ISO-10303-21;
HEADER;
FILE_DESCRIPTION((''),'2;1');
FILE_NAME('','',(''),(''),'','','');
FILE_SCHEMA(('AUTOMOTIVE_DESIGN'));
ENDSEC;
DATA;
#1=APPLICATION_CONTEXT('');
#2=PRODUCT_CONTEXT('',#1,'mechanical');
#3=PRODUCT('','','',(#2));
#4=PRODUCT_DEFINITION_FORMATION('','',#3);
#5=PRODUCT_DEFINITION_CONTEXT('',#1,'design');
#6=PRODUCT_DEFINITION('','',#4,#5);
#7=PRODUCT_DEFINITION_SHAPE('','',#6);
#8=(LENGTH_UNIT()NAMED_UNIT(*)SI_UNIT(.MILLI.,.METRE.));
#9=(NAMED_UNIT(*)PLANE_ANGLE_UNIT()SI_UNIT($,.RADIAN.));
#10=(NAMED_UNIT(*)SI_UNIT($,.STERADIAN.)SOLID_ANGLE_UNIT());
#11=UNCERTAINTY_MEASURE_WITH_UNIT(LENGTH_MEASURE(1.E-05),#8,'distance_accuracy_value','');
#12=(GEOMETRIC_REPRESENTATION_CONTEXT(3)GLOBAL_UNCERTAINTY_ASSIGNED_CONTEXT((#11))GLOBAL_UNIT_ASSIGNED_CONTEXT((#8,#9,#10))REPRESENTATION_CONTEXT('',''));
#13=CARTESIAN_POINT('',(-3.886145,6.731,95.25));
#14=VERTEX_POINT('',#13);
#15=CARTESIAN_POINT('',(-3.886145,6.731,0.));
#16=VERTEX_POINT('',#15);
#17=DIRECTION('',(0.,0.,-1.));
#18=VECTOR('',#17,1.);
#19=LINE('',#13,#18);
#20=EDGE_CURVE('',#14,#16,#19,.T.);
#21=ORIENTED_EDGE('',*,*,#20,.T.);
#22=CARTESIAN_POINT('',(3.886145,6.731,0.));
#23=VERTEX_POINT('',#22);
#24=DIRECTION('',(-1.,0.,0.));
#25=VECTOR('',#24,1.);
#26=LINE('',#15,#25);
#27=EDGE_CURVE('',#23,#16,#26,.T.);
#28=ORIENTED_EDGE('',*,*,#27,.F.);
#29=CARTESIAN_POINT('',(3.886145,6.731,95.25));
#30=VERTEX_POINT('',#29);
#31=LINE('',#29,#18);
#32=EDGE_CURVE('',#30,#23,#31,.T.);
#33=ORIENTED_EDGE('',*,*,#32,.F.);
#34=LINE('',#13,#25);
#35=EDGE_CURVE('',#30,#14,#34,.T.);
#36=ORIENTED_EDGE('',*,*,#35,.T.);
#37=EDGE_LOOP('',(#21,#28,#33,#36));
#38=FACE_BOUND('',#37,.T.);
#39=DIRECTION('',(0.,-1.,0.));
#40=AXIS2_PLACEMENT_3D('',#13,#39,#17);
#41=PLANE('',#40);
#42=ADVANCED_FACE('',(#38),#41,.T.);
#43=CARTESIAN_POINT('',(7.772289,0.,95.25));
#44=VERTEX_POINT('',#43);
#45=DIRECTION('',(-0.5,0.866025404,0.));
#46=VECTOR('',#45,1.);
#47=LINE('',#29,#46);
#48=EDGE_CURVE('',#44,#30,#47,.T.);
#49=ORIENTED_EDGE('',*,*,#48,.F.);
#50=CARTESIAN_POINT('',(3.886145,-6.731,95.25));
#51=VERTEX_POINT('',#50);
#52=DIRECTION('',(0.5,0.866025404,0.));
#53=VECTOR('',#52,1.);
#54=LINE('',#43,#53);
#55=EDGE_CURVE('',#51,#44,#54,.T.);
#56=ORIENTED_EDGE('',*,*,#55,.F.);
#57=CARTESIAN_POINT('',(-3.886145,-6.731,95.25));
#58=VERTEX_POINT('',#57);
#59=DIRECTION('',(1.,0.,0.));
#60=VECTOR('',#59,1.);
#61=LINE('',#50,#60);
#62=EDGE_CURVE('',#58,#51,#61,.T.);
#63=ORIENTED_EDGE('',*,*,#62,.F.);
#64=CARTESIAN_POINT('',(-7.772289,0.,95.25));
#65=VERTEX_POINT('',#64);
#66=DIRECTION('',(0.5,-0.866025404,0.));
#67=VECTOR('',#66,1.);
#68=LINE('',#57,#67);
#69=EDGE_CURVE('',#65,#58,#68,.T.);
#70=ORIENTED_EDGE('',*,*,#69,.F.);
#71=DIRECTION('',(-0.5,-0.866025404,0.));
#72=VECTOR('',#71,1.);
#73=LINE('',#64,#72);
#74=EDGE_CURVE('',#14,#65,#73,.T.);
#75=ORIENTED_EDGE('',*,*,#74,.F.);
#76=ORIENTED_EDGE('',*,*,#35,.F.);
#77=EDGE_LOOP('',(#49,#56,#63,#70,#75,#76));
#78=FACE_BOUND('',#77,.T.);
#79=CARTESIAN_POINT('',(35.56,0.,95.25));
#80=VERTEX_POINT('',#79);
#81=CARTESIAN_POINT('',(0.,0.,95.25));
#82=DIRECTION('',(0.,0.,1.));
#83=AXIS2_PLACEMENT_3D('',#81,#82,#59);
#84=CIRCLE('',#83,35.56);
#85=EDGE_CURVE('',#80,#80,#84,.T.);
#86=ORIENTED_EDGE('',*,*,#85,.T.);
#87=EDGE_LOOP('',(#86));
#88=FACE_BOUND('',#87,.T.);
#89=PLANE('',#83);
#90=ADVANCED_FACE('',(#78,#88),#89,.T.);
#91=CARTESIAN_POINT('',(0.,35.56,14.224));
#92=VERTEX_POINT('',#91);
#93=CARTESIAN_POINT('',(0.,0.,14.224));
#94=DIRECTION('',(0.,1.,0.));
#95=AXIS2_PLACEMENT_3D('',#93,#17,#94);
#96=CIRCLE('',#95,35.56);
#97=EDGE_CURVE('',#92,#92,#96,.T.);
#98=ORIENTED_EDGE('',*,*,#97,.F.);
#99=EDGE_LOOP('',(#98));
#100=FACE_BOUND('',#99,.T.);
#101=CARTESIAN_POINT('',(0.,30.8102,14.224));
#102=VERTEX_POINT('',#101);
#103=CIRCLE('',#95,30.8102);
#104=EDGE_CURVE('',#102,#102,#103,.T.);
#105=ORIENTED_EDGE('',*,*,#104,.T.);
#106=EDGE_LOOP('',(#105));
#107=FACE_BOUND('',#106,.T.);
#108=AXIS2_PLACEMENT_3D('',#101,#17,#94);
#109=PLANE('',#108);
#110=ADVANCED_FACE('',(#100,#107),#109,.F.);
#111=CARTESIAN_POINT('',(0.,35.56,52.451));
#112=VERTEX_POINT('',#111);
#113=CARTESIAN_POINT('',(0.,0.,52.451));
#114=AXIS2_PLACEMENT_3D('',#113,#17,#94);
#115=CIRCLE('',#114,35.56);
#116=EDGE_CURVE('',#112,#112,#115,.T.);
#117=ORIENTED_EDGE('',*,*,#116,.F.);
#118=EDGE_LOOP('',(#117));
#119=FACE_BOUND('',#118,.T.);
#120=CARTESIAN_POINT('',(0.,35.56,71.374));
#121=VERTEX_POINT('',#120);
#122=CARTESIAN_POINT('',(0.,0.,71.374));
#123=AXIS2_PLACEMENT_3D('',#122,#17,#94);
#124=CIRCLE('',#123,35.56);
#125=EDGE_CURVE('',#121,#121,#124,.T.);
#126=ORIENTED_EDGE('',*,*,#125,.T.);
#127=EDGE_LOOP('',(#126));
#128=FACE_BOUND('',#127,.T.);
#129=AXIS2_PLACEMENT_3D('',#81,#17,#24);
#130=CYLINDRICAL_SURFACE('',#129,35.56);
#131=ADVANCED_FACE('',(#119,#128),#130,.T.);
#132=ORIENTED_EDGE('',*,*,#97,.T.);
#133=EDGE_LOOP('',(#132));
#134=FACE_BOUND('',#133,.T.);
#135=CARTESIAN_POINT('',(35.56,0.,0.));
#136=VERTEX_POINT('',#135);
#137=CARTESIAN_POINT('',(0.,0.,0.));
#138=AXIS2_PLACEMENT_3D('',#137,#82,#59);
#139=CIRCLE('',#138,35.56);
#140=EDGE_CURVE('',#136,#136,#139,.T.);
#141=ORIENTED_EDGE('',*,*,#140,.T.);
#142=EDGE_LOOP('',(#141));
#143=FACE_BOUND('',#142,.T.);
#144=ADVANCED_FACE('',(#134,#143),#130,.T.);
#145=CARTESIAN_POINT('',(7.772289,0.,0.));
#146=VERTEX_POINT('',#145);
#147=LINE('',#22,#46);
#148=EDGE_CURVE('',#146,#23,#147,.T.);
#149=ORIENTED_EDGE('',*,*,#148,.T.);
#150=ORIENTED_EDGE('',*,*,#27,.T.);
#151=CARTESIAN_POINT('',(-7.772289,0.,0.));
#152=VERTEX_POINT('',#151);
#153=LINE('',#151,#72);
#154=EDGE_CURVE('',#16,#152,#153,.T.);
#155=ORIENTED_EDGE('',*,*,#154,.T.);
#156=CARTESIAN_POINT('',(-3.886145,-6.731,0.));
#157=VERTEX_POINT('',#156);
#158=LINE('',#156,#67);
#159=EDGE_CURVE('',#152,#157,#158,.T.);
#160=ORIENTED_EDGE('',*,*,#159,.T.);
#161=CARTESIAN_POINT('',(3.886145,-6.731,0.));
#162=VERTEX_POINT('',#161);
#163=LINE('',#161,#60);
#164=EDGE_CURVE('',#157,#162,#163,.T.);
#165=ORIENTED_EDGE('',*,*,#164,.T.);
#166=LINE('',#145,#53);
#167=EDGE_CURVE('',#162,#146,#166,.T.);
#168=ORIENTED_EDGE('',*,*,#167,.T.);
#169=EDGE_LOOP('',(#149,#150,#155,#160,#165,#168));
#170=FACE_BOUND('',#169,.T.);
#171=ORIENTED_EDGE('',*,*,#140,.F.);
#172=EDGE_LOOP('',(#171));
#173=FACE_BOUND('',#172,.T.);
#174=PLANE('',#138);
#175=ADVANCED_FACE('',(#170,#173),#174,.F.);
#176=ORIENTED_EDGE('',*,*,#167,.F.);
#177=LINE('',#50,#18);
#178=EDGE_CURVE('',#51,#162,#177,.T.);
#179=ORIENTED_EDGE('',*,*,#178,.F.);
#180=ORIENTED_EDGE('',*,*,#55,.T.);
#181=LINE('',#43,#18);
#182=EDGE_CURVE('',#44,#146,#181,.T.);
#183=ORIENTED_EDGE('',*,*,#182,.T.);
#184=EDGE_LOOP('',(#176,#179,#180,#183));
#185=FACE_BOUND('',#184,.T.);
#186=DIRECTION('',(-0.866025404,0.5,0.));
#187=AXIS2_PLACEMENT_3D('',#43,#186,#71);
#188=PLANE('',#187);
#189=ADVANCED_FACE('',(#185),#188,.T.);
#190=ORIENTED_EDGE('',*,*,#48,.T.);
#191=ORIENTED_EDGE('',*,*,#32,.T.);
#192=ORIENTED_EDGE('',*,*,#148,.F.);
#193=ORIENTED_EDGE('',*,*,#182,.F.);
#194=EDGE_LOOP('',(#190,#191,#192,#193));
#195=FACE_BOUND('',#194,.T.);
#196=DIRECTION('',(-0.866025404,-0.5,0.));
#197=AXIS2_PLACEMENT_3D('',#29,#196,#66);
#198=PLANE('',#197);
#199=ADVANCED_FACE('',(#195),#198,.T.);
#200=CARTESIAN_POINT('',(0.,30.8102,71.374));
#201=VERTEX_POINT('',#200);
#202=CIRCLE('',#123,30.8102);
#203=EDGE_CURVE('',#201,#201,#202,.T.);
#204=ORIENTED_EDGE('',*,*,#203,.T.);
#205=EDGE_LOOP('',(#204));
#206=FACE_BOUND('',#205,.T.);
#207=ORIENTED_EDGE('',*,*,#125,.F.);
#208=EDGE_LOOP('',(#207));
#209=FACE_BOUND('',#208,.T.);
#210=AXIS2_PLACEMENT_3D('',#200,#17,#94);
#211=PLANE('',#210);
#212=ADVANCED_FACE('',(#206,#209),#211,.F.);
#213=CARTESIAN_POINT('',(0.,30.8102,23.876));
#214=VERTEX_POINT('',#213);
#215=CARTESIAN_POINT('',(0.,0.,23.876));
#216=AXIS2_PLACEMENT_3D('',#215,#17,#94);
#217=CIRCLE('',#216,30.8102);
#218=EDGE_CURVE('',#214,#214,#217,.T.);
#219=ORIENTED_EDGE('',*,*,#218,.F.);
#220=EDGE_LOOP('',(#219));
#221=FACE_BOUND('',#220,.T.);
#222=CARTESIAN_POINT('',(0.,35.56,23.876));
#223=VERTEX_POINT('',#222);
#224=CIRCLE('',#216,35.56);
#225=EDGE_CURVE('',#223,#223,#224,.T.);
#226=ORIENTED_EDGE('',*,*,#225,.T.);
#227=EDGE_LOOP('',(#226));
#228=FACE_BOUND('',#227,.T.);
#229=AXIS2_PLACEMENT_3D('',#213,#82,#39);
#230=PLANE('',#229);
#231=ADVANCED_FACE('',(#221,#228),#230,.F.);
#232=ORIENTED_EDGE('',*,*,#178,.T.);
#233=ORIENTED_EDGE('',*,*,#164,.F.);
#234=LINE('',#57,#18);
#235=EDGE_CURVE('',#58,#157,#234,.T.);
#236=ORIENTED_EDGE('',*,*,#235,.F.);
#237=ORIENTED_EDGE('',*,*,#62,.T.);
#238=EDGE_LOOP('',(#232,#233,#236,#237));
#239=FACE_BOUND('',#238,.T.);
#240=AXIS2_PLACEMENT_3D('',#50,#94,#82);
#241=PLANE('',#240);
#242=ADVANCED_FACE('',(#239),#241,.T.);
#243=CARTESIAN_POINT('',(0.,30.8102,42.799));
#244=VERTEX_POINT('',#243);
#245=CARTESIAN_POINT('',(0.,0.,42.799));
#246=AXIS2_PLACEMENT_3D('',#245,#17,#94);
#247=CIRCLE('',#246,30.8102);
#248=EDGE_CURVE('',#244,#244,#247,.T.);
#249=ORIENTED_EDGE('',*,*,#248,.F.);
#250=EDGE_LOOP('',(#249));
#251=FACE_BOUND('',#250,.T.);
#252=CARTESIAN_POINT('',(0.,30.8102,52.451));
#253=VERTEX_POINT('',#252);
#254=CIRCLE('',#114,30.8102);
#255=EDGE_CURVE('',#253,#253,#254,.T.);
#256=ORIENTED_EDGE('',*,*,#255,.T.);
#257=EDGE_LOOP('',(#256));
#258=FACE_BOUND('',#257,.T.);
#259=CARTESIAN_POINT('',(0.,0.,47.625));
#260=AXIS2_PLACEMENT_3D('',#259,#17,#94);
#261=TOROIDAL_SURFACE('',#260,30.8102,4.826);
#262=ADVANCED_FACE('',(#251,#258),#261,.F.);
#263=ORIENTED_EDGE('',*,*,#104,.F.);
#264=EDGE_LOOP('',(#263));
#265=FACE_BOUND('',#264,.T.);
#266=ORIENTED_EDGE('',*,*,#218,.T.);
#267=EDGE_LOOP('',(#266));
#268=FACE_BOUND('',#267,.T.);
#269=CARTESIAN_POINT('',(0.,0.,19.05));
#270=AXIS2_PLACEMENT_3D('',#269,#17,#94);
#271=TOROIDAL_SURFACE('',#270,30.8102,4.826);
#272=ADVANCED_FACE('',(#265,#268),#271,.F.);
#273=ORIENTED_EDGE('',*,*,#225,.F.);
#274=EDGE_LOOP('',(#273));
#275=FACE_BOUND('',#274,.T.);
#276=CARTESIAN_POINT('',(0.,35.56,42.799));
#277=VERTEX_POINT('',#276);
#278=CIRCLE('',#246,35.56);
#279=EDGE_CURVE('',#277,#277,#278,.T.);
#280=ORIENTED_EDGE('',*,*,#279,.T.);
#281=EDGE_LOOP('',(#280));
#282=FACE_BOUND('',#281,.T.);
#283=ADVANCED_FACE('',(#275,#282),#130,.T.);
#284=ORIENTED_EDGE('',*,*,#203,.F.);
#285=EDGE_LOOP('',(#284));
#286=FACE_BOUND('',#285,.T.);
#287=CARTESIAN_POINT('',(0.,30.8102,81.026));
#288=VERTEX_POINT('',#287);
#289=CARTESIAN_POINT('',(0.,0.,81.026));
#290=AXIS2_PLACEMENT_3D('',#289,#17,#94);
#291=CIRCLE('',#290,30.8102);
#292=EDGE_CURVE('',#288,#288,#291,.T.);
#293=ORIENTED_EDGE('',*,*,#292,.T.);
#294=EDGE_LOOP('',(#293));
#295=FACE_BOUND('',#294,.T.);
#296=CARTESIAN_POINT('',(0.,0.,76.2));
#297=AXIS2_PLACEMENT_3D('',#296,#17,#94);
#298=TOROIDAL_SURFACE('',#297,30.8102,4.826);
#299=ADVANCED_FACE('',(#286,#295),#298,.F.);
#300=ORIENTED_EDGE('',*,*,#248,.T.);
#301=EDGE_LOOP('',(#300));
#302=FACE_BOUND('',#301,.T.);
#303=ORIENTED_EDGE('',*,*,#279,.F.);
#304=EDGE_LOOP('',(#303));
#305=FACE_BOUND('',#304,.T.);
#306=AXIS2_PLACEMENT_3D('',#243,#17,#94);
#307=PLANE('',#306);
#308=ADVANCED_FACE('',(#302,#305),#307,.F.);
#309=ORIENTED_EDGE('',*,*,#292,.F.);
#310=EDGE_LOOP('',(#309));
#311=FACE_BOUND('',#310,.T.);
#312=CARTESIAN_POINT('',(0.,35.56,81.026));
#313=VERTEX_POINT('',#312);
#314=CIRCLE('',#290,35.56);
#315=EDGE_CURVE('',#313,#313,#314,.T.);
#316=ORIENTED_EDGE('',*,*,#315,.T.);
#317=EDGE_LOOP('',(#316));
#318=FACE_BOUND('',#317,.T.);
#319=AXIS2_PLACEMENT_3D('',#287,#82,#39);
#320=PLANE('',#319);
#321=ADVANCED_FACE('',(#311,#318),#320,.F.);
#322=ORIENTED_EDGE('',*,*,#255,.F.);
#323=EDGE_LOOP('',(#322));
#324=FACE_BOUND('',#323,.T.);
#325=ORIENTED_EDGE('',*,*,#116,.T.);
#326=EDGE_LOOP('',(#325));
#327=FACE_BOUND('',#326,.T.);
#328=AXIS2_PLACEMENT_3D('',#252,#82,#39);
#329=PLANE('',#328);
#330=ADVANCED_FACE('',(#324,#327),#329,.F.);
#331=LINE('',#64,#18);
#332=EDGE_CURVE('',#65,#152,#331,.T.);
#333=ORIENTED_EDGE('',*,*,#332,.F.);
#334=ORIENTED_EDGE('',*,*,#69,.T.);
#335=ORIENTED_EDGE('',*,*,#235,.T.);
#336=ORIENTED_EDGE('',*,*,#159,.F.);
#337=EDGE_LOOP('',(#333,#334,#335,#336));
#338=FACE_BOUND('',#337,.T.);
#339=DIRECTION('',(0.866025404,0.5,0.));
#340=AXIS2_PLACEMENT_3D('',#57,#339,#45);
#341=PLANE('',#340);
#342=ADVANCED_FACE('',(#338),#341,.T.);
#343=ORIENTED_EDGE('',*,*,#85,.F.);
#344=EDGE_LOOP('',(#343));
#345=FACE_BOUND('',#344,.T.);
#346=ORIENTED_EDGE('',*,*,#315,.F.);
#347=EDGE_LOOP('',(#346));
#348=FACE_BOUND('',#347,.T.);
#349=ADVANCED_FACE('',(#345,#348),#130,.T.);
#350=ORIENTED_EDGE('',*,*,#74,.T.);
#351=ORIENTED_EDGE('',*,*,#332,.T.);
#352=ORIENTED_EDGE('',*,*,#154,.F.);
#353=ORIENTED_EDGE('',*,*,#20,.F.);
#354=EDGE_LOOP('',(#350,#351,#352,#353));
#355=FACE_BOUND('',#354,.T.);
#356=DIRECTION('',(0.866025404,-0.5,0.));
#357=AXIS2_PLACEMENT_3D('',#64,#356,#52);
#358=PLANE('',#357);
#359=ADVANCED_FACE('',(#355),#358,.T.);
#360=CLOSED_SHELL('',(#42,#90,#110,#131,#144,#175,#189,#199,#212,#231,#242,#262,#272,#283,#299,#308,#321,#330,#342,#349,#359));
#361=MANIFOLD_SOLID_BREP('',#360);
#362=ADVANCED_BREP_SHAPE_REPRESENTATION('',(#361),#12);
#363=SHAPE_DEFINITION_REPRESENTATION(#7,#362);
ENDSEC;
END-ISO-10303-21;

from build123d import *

# Parameters (mm, degrees)
SKETCH1_R           = 35.56
BOSS_EXTRUDE1_DEPTH = 95.25


with BuildPart() as part:
    # Sketch1 → Boss-Extrude1 (new body)
    with BuildSketch(Plane.XY):
        Circle(SKETCH1_R)
        Polygon((-3.886144662, 6.731), (3.886144662, 6.731), (7.772289324, 0), (3.886144662, -6.731), (-3.886144662, -6.731), (-7.772289324, 0), align=None, mode=Mode.SUBTRACT)
    extrude(amount=BOSS_EXTRUDE1_DEPTH)

    # Sketch2 → Cut-Revolve1 (revolve, cut)
    with BuildSketch(Plane(origin=(0, 0, 0), x_dir=(0, 0, -1), z_dir=(1, 0, 0))):
        with BuildLine():
            Line((-81.026, 35.56), (-71.374, 35.56))
            Line((-71.374, 35.56), (-71.374, 30.8102))
            ThreePointArc((-71.374, 30.8102), (-76.2, 25.9842), (-81.026, 30.8102))
            Line((-81.026, 30.8102), (-81.026, 35.56))
        make_face()
        with BuildLine():
            Line((-52.451, 30.8102), (-52.451, 35.56))
            Line((-52.451, 35.56), (-42.799, 35.56))
            Line((-42.799, 35.56), (-42.799, 30.8102))
            ThreePointArc((-42.799, 30.8102), (-47.625, 25.9842), (-52.451, 30.8102))
        make_face()
        with BuildLine():
            Line((-23.876, 30.8102), (-23.876, 35.56))
            Line((-23.876, 35.56), (-14.224, 35.56))
            Line((-14.224, 35.56), (-14.224, 30.8102))
            ThreePointArc((-14.224, 30.8102), (-19.05, 25.9842), (-23.876, 30.8102))
        make_face()
    revolve(axis=Axis((0, 0, 0), (0, 0, 1)), mode=Mode.SUBTRACT)


solid = part.part
